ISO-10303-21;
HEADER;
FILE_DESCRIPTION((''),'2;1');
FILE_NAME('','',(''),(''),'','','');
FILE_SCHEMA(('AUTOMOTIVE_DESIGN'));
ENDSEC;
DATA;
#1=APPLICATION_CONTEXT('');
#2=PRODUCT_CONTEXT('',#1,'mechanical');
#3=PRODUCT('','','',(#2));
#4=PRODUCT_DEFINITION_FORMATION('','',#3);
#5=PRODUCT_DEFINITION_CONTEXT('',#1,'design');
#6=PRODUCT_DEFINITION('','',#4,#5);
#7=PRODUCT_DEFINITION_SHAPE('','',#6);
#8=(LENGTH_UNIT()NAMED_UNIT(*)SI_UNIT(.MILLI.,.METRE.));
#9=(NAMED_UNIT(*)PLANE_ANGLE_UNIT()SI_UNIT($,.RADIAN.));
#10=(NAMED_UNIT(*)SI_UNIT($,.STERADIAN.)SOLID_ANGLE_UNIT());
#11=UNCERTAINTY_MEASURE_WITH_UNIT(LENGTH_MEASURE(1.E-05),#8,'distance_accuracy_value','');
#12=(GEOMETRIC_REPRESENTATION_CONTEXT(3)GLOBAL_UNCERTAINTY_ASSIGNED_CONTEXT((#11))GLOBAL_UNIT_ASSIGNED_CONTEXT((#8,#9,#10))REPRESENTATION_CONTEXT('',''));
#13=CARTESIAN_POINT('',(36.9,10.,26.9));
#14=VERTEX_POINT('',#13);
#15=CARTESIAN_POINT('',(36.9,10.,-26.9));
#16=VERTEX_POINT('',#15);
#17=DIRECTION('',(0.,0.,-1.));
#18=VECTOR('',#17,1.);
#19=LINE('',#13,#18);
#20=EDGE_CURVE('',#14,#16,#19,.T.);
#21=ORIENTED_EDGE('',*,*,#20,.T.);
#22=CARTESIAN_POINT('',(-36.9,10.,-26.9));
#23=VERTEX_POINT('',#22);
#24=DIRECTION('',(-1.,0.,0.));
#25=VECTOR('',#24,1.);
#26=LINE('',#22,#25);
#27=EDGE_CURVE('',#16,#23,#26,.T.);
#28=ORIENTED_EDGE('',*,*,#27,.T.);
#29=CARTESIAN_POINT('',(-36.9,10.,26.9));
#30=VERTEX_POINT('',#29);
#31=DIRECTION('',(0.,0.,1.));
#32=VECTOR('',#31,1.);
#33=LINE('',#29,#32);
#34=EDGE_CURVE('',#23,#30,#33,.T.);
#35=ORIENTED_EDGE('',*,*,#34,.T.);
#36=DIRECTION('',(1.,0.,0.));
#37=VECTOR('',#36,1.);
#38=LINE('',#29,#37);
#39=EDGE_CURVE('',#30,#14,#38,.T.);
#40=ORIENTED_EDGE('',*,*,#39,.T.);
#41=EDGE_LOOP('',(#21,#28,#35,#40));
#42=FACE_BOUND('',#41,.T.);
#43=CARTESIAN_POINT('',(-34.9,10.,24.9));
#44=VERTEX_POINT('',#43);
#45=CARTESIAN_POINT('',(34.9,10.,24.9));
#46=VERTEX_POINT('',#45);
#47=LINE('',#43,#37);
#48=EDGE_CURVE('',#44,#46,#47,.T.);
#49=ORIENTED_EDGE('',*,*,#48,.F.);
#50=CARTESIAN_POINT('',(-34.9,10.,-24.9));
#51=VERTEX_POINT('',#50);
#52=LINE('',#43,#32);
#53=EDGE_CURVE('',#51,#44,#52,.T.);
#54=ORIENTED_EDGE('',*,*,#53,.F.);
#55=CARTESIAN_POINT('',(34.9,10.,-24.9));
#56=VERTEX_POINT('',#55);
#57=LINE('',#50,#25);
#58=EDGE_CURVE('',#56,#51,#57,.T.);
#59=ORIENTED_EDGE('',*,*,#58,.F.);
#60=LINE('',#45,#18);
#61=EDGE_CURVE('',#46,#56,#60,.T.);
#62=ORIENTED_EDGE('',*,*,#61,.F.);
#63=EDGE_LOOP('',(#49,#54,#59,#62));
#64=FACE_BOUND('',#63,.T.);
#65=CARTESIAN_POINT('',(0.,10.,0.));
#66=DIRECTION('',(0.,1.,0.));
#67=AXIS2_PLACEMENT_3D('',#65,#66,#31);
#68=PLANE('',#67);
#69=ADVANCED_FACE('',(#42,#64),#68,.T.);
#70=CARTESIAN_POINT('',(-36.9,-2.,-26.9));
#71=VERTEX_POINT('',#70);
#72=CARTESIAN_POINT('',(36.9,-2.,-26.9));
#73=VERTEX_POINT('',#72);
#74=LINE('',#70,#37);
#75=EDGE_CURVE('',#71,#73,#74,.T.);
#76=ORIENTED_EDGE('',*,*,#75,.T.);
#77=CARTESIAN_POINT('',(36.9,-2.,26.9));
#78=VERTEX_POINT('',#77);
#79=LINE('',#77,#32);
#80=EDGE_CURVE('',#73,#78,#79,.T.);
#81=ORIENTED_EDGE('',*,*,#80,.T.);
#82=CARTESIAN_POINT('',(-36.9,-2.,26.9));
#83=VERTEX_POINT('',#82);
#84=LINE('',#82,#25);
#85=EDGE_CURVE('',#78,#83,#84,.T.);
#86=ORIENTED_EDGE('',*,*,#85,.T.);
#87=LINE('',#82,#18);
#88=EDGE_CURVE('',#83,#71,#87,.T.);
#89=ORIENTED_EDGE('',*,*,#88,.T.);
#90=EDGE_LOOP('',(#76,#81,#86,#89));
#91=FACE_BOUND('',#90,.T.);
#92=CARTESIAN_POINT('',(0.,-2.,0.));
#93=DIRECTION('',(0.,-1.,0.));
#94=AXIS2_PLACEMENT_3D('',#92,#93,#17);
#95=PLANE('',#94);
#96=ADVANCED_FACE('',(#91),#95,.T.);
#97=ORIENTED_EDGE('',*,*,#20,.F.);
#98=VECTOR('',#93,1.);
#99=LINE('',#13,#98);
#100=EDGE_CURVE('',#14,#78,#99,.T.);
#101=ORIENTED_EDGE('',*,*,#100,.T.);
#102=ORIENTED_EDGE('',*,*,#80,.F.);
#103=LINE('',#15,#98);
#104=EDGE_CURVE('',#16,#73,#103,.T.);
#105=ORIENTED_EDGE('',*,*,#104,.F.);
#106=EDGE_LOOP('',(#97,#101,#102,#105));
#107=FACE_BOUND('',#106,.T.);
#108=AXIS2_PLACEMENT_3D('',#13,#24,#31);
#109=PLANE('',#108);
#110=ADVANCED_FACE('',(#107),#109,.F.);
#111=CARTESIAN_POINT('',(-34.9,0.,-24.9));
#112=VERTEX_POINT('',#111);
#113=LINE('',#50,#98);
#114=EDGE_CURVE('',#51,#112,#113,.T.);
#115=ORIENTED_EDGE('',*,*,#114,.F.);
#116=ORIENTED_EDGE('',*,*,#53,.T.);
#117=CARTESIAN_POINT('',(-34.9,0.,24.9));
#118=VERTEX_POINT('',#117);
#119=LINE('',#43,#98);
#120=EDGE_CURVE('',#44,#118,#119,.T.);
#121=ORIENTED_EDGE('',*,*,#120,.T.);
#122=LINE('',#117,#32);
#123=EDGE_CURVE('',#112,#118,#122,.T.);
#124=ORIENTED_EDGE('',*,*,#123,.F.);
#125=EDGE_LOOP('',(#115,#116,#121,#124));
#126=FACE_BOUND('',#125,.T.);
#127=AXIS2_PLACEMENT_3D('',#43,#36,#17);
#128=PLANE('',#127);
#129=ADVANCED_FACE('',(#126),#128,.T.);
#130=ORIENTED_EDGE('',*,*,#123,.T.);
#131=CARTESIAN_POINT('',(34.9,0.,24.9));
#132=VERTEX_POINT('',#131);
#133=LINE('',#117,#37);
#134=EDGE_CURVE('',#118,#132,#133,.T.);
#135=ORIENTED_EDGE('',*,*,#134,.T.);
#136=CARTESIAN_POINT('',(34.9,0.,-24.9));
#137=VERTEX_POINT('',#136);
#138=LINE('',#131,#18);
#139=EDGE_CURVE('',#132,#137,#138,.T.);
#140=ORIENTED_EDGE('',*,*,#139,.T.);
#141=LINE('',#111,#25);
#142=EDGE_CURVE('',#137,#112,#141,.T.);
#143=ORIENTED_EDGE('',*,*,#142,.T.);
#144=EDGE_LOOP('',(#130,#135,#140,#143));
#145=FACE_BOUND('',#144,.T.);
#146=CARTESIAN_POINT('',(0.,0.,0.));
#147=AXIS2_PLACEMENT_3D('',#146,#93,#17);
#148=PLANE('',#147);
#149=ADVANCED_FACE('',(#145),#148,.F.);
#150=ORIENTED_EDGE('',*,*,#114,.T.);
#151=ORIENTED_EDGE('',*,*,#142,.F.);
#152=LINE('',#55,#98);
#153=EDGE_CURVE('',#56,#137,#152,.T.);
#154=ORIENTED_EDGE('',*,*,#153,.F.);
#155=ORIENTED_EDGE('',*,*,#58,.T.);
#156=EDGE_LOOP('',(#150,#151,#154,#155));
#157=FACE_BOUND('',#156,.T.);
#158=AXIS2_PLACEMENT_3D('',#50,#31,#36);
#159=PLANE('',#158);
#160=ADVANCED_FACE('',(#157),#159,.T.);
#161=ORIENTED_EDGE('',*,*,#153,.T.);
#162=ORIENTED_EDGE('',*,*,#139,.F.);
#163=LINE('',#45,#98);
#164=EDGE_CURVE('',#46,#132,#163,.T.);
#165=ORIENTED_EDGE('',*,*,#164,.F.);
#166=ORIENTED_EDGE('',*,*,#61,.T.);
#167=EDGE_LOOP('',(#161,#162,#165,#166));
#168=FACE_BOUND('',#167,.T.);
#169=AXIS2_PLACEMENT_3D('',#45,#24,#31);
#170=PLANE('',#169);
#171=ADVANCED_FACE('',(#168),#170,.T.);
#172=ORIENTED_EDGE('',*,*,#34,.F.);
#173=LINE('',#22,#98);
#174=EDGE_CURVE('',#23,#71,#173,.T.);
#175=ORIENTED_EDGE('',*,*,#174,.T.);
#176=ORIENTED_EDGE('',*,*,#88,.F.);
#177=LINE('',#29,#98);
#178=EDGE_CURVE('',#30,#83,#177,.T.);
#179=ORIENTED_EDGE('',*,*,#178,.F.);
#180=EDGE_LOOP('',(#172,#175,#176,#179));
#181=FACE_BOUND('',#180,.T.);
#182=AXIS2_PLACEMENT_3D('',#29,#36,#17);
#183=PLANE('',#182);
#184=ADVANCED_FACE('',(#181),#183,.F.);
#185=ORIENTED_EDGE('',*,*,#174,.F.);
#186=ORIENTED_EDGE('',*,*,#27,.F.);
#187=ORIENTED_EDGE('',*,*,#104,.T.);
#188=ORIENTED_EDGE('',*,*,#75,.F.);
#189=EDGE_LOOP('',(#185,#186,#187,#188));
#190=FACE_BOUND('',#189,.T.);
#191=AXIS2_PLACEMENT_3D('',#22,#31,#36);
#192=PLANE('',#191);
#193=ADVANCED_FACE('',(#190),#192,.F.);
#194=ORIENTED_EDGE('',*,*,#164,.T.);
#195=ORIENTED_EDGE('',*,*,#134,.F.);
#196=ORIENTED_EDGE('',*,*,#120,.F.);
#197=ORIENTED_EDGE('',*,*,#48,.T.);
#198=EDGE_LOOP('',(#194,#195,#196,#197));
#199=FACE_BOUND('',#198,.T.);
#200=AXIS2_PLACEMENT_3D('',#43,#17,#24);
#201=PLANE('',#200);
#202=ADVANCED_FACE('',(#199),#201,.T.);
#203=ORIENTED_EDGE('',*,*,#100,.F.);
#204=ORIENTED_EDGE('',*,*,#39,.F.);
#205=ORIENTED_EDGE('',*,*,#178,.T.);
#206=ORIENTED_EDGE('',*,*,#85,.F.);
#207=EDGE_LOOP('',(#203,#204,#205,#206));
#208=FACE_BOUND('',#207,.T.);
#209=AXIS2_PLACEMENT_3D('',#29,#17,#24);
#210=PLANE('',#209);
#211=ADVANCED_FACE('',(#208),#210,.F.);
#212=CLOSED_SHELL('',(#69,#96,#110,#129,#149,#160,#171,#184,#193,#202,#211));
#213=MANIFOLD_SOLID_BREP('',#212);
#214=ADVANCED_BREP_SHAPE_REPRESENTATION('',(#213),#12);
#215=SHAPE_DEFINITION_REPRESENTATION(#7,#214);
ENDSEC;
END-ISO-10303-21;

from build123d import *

# Parameters (mm, degrees)
SKETCH1_W           = 73.8
SKETCH1_H           = 53.8
SKETCH1_W_2         = 69.8
SKETCH1_H_2         = 49.8
BOSS_EXTRUDE1_DEPTH = 10
SKETCH2_W           = 73.8
SKETCH2_H           = 53.8
BOSS_EXTRUDE2_DEPTH = 2


with BuildPart() as part:
    # Sketch1 → Boss-Extrude1 (new body)
    with BuildSketch(Plane(origin=(0, 0, 0), x_dir=(1, 0, 0), z_dir=(0, 1, 0))):
        Rectangle(SKETCH1_W, SKETCH1_H)
        Rectangle(SKETCH1_W_2, SKETCH1_H_2, mode=Mode.SUBTRACT)
    extrude(amount=BOSS_EXTRUDE1_DEPTH)

    # Sketch2 → Boss-Extrude2 (add)
    with BuildSketch(Plane.XZ):
        Rectangle(SKETCH2_W, SKETCH2_H)
    extrude(amount=BOSS_EXTRUDE2_DEPTH)


solid = part.part
